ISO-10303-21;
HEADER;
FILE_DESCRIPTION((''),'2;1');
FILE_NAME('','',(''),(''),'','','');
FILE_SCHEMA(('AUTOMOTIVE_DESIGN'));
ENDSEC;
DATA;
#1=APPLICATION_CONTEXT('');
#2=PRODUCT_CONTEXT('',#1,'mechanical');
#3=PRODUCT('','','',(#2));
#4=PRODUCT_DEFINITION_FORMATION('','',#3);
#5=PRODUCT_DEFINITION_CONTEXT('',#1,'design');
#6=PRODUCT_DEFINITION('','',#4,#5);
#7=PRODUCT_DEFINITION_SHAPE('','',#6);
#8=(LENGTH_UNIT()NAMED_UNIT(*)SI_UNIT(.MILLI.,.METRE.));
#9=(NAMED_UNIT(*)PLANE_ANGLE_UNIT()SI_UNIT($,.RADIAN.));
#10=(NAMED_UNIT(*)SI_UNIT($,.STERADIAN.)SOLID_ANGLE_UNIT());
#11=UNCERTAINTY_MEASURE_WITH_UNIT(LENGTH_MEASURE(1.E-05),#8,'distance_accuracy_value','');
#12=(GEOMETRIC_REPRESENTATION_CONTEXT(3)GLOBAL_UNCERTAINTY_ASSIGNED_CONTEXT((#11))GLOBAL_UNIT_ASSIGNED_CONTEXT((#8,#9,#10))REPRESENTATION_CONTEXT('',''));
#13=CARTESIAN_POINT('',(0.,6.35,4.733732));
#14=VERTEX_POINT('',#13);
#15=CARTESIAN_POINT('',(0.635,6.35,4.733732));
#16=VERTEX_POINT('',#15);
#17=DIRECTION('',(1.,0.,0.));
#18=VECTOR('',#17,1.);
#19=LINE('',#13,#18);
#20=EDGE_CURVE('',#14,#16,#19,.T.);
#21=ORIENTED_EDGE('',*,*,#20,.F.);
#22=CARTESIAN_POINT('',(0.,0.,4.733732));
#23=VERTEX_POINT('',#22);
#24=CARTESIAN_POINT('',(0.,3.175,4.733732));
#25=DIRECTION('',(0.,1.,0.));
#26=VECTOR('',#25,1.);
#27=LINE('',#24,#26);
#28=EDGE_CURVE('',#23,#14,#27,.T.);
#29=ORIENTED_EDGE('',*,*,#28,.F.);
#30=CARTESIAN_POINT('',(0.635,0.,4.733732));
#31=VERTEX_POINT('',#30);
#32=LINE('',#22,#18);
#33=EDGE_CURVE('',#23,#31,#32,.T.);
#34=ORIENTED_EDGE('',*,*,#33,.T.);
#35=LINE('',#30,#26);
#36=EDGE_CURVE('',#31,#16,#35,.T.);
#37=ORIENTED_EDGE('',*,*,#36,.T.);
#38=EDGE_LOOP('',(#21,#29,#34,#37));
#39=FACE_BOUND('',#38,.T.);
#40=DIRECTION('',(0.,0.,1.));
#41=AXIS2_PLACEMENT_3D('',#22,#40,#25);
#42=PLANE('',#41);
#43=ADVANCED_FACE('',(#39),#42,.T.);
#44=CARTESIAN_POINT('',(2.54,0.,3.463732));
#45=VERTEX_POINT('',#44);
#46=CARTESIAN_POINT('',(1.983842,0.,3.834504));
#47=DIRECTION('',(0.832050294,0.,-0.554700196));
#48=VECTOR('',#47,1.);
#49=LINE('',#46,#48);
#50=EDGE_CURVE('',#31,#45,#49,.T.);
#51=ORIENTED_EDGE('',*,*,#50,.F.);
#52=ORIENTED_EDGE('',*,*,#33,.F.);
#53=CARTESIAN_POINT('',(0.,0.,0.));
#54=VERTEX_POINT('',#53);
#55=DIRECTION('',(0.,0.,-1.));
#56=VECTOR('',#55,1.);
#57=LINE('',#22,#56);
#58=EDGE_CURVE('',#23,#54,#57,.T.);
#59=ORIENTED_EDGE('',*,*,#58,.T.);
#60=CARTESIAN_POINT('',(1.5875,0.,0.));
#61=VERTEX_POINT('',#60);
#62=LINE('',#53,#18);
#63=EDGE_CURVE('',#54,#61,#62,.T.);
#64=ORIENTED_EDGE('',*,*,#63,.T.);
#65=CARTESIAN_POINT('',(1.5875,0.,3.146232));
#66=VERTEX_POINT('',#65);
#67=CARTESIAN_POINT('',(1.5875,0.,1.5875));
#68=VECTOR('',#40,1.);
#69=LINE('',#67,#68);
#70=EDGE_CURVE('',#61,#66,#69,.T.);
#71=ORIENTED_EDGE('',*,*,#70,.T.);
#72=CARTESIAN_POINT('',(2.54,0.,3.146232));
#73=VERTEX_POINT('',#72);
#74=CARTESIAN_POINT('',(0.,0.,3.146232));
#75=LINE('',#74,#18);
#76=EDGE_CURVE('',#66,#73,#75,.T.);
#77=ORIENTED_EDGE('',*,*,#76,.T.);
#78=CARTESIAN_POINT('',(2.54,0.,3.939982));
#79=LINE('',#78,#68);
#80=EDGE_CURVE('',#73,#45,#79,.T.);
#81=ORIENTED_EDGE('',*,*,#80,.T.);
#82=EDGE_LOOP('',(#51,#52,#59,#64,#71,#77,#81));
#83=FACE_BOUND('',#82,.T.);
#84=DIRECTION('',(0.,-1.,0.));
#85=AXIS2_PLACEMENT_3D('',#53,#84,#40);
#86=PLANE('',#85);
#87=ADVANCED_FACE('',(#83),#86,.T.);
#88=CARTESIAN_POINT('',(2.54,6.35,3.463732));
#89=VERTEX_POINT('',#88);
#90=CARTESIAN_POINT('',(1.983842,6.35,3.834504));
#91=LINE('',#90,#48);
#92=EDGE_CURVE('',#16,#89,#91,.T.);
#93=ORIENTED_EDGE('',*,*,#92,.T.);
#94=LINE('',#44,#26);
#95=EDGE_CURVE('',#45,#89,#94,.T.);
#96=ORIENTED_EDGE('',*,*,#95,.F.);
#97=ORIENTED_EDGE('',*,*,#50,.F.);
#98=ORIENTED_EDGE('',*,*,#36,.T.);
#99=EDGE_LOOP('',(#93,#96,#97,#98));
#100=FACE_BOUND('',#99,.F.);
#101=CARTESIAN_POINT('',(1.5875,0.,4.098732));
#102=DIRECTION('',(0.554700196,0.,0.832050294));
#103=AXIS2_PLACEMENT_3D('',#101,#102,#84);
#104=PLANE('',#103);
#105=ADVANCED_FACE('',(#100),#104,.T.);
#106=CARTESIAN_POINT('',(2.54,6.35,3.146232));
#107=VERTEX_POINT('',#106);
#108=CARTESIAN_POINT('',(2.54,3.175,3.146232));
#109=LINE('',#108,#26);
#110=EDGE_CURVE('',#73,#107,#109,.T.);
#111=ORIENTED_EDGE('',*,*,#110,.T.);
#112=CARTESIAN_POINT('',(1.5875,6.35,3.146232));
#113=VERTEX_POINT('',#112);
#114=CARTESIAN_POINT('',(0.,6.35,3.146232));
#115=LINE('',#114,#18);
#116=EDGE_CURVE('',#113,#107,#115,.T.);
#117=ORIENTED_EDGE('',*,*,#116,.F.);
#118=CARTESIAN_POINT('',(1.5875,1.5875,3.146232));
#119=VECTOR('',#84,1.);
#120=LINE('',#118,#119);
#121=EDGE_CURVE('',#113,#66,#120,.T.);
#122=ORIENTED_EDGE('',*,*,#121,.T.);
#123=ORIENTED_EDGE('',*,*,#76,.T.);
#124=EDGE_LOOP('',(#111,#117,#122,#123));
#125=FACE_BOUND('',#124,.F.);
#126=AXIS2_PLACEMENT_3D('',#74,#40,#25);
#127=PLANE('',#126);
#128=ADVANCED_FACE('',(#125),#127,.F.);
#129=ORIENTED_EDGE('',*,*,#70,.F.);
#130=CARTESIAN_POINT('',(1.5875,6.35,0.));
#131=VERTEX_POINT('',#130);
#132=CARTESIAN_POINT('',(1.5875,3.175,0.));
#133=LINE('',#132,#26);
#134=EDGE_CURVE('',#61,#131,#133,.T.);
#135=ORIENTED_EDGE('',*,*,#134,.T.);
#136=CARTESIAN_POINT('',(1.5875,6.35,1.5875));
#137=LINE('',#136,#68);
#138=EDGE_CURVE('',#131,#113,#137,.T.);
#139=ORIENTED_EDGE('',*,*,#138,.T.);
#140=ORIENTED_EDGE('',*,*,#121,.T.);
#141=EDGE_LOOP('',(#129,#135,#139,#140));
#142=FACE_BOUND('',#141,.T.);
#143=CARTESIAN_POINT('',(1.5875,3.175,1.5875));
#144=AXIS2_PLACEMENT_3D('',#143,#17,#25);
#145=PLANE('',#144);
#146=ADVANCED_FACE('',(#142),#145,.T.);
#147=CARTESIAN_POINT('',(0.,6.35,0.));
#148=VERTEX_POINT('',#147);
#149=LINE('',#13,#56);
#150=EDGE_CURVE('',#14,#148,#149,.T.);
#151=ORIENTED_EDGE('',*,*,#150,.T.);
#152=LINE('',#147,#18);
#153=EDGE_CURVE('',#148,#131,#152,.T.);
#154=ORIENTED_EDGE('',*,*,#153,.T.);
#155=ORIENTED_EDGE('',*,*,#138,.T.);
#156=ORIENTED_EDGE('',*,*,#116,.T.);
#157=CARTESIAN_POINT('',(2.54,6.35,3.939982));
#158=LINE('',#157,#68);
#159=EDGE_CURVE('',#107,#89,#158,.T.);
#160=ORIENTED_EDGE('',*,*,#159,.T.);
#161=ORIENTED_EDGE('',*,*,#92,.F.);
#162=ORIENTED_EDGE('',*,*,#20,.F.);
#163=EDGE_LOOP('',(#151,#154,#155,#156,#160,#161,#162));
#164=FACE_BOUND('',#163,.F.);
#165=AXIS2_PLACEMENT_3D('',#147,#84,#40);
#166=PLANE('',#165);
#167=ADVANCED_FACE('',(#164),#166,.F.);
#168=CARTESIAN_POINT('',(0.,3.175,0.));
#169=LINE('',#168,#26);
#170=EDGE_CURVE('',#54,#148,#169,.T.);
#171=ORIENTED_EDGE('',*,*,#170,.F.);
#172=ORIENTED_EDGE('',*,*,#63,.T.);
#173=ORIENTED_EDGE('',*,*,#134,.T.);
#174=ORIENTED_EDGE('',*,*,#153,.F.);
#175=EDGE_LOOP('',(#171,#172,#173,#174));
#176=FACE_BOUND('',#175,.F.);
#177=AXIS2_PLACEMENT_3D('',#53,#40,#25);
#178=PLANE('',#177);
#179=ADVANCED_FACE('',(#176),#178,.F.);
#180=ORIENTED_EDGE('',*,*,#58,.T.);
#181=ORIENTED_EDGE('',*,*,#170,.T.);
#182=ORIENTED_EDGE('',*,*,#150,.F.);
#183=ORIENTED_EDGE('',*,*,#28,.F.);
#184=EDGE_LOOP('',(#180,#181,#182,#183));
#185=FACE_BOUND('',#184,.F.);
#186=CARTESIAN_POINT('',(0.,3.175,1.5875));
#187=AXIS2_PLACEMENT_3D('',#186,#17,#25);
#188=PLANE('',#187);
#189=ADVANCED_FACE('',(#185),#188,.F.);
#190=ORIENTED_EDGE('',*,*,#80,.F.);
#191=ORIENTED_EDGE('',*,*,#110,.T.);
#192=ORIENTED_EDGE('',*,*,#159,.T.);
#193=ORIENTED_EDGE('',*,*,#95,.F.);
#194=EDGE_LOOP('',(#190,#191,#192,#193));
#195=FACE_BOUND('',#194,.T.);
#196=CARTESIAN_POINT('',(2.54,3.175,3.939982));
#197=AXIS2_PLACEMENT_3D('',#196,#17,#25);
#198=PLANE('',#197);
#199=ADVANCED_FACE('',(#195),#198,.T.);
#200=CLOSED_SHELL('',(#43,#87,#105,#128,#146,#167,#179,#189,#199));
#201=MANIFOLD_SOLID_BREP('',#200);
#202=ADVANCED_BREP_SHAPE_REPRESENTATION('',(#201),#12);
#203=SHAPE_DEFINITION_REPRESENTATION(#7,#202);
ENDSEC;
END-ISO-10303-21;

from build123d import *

# Parameters (mm, degrees)
F0_W     = 6.35
F0_H     = 3.175
F1_DEPTH = 1.5875
F2_W     = 6.35
F2_H     = 1.5875
F3_DEPTH = 2.54
F4_SIZE2 = 1.27
F4_SIZE  = 1.905


with BuildPart() as f1:
    # F0 (on Right) → F1 (new body)
    with BuildSketch(Plane.YZ):
        with Locations((3.175, 1.5875)):
            Rectangle(F0_W, F0_H)
    extrude(amount=F1_DEPTH)

    # F2 (on Right) → F3 (join)
    with BuildSketch(Plane.YZ):
        with Locations((3.175, 3.9399821234)):
            Rectangle(F2_W, F2_H)
    extrude(amount=F3_DEPTH)

    # F4
    f4_edges = [f1.edges().sort_by_distance(p)[0] for p in [
        (2.54, 3.175, 4.733732),
    ]]
    f4_side = f1.faces().sort_by_distance((1.27, 3.175, 4.733732))[0]
    chamfer(f4_edges, length=F4_SIZE, length2=F4_SIZE2, reference=f4_side)


solid = f1.part
